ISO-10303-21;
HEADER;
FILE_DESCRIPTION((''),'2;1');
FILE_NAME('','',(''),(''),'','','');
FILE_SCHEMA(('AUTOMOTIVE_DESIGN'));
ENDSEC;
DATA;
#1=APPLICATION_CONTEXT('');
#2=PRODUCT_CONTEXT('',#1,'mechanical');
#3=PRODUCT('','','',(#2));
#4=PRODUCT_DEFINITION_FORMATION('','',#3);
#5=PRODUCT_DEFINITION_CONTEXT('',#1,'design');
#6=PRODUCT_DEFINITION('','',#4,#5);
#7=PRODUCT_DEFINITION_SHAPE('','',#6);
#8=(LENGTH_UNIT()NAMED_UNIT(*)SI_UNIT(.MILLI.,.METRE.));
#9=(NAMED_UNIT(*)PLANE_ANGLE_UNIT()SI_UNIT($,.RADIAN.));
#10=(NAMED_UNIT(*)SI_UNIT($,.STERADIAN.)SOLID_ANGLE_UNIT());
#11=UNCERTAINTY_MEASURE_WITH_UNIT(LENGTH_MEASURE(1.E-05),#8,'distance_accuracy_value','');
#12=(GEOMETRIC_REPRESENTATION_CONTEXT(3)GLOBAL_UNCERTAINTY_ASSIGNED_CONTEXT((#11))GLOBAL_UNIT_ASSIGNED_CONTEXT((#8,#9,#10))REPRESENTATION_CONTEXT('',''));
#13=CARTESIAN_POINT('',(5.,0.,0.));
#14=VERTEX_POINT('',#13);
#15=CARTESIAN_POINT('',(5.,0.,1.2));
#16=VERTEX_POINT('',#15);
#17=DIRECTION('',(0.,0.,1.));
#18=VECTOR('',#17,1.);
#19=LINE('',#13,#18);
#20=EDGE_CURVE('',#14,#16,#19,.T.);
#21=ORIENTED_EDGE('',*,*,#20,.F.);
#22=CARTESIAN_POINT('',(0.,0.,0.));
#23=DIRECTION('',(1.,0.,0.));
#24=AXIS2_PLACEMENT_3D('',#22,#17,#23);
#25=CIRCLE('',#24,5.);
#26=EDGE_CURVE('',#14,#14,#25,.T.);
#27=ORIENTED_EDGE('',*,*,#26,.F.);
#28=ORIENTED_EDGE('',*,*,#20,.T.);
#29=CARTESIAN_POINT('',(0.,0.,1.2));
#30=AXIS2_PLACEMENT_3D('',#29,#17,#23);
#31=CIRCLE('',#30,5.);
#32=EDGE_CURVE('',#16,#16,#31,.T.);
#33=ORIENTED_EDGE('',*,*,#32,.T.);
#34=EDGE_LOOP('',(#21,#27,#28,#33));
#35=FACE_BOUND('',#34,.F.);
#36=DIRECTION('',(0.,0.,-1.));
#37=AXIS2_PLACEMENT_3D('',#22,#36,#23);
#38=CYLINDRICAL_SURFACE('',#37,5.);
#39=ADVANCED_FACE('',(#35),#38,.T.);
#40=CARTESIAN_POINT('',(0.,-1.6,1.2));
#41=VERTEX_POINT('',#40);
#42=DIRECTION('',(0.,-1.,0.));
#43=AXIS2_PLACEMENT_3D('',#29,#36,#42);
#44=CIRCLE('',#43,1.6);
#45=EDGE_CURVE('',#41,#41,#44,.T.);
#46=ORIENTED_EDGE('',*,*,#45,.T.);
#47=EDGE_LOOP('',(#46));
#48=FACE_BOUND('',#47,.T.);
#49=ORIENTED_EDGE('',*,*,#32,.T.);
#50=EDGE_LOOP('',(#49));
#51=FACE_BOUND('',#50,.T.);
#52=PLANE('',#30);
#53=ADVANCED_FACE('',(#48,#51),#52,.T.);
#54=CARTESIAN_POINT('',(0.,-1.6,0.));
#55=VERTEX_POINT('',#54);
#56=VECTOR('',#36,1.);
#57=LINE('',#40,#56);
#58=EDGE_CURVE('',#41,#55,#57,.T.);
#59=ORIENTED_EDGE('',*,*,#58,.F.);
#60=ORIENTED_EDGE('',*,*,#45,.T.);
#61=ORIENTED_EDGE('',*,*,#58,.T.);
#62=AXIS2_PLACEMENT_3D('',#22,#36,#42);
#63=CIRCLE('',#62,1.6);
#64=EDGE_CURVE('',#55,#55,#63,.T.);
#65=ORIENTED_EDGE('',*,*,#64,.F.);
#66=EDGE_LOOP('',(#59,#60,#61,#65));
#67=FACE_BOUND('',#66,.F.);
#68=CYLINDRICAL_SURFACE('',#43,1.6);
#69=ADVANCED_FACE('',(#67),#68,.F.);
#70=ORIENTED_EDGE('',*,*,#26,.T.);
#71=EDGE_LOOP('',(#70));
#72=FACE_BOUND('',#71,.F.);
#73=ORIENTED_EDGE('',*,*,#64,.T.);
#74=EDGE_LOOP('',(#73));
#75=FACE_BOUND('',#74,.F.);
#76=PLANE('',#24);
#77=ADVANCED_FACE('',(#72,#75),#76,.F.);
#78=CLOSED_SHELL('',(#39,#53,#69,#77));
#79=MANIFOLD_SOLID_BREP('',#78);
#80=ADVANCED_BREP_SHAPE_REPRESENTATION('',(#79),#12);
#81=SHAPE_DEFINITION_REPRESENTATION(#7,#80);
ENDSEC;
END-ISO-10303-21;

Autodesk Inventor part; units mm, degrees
ref_plane "YZ Plane" through (0, 0, 0) normal (1, 0, 0) x (0, 1, 0)
ref_plane "XZ Plane" through (0, 0, 0) normal (0, 1, 0) x (-1, 0, 0)
ref_plane "XY Plane" through (0, 0, 0) normal (0, 0, 1) x (1, 0, 0)
sketch "スケッチ1" plane through (0, 0, 0) normal (0, 0, 1) x (1, 0, 0)
  circle A0 centre (0, 0) radius 5
  dimension "d0" = 10
extrude "押し出し1" add sketch "スケッチ1" along normal blind 1.2
sketch "スケッチ2" plane through (0, 0, 1.2) normal (0, 0, 1) x (1, 0, 0)
  point P0 (0, 0)
  point P1 (0, 0)
hole "穴1" at (0, 0, 1.2) direction (0, 0, -1) diameter 3.2 end through all
properties part number "RD018"
